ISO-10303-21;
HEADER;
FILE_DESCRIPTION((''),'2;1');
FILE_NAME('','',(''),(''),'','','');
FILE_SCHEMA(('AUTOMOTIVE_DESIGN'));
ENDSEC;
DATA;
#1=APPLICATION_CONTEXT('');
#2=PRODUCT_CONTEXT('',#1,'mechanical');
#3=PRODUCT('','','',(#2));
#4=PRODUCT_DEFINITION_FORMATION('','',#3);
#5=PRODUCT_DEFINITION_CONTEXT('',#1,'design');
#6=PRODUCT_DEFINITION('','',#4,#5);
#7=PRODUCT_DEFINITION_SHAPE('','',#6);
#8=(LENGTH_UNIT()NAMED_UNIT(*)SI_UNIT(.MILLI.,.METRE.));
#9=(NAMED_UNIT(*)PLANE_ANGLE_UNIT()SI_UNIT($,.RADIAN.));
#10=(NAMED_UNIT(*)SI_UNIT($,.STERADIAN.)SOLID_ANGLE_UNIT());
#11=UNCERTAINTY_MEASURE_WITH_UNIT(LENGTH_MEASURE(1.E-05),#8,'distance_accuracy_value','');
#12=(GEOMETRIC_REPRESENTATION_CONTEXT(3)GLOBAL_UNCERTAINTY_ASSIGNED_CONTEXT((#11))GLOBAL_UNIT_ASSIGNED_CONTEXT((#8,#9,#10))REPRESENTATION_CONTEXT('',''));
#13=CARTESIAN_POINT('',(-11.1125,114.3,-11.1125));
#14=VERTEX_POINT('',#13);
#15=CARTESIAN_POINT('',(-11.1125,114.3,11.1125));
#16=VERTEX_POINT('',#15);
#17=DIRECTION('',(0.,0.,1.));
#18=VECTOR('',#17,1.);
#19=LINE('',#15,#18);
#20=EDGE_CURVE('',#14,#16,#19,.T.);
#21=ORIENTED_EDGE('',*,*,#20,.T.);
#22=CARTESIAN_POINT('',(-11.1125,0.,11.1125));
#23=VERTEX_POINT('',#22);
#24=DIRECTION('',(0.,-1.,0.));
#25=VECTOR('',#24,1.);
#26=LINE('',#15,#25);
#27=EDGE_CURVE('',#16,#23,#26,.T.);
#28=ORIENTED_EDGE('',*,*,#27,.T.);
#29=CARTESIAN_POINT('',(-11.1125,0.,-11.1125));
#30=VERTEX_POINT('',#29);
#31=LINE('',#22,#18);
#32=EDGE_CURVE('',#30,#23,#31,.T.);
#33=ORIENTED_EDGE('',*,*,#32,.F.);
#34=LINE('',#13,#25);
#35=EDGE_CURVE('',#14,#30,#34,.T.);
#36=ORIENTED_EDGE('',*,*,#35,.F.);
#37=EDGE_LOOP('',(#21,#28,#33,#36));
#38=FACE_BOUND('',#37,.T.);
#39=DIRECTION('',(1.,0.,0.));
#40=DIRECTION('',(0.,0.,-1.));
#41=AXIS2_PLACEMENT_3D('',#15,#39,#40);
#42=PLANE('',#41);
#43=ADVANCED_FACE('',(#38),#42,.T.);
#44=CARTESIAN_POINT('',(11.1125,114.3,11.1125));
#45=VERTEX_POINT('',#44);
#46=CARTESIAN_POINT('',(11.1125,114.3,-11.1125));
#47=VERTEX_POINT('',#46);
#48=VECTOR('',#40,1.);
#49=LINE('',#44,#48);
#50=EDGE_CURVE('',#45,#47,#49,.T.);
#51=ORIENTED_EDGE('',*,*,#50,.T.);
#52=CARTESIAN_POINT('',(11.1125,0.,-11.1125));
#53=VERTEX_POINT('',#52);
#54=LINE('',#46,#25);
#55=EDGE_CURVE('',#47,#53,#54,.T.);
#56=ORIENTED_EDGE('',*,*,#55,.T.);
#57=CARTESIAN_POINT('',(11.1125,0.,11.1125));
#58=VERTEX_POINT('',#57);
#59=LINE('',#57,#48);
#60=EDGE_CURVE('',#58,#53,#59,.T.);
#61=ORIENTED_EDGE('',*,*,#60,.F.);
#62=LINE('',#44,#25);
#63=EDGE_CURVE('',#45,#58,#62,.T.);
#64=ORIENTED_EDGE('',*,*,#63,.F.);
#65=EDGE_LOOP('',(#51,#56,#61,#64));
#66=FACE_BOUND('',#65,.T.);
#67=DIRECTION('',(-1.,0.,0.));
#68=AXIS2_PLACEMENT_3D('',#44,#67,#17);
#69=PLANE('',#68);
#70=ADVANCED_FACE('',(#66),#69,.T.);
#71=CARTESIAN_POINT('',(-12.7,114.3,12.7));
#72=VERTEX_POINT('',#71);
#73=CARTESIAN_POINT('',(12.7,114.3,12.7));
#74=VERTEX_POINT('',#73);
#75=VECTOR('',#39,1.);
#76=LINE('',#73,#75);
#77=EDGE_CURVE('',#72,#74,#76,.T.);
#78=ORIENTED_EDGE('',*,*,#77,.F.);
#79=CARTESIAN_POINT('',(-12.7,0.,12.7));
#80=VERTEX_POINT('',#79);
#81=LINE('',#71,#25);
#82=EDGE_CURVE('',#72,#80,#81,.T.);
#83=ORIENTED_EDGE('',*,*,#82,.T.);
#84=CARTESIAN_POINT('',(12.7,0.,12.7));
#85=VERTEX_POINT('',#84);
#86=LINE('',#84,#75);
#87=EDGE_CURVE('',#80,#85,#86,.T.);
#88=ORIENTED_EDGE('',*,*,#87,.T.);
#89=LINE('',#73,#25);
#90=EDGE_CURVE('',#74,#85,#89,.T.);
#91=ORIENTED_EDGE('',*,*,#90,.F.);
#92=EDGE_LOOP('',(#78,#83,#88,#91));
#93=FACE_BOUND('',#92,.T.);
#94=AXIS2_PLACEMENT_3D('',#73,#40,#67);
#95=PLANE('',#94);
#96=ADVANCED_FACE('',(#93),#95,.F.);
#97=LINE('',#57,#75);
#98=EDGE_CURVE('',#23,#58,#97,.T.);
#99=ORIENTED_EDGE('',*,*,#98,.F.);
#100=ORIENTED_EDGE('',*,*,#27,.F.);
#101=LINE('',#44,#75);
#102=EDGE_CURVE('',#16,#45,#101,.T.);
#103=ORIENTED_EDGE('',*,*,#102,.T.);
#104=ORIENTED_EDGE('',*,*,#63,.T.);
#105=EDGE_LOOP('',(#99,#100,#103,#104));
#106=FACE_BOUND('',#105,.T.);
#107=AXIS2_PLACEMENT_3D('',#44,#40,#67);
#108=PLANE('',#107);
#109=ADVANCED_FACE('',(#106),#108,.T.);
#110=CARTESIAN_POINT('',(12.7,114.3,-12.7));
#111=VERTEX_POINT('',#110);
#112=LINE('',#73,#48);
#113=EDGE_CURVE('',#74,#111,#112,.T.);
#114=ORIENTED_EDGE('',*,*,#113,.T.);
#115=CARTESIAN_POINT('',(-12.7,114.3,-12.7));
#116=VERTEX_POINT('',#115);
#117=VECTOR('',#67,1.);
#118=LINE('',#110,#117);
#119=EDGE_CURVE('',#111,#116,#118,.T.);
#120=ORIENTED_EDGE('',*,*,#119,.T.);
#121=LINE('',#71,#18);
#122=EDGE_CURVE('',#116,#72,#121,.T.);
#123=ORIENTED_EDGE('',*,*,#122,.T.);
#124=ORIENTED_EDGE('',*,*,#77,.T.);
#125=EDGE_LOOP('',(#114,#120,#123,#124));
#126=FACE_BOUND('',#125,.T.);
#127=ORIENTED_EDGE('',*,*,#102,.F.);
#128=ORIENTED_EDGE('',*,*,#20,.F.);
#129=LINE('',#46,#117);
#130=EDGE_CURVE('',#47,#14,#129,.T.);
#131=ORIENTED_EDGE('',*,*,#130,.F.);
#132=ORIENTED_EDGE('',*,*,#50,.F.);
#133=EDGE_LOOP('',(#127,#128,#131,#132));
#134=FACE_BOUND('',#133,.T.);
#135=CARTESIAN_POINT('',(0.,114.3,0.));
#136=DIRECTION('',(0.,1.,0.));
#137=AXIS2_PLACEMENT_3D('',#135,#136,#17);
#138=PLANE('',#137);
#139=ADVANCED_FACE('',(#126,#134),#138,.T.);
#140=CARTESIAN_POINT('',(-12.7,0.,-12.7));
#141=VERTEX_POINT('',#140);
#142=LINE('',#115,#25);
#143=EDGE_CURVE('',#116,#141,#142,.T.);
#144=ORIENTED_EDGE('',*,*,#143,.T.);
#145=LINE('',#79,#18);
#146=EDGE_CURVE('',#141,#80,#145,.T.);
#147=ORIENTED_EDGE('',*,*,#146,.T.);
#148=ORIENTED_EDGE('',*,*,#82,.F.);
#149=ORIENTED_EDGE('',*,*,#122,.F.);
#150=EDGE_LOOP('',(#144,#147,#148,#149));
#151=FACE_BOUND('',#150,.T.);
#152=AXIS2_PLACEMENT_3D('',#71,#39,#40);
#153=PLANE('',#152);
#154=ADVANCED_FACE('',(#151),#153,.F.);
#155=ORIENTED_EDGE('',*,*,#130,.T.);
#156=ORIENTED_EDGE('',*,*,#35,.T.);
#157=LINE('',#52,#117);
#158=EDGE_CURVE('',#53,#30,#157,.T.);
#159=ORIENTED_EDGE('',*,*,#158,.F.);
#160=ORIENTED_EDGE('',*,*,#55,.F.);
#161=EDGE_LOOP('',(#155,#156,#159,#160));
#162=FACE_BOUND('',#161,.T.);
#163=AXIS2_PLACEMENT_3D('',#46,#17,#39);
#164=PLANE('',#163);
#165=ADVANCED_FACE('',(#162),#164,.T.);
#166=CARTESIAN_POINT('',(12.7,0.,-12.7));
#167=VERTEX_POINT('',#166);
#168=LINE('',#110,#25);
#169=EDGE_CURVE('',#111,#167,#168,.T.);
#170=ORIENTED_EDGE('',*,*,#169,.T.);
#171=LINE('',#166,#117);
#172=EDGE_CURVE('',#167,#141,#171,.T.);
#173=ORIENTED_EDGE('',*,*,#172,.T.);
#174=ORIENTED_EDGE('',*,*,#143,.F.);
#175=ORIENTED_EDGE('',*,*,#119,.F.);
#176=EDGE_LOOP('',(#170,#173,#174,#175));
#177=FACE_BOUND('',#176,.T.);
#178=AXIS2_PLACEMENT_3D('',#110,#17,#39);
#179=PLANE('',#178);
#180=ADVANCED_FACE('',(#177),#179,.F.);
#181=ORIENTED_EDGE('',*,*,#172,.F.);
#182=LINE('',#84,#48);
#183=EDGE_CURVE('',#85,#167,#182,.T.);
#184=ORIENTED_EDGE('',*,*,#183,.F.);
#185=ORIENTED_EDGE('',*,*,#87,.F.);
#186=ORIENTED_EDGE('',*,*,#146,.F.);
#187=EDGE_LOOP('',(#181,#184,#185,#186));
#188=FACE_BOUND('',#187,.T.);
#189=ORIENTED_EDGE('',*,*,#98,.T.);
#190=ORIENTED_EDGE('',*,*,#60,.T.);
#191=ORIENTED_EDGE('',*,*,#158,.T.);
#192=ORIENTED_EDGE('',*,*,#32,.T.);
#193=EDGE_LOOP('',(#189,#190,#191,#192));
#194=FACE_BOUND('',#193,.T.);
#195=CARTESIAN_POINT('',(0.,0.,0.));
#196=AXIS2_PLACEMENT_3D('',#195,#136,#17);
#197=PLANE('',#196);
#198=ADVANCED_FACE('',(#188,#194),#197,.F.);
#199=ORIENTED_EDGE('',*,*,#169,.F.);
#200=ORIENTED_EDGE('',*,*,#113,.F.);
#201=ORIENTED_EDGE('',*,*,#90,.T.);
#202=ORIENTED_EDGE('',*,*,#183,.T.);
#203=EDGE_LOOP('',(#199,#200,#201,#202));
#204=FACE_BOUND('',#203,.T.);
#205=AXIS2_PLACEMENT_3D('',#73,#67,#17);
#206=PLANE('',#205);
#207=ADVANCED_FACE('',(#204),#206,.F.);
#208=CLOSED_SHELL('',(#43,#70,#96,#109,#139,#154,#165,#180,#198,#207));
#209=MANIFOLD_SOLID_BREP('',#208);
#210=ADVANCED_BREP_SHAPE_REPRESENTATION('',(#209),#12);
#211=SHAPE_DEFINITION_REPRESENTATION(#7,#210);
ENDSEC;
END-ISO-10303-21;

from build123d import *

# Parameters (mm, degrees)
SKETCH1_W           = 25.4
SKETCH1_H           = 25.4
SKETCH1_W_2         = 22.225
SKETCH1_H_2         = 22.225
BOSS_EXTRUDE1_DEPTH = 114.3


with BuildPart() as part:
    # Sketch1 → Boss-Extrude1 (new body)
    with BuildSketch(Plane(origin=(0, 0, 0), x_dir=(1, 0, 0), z_dir=(0, 1, 0))):
        Rectangle(SKETCH1_W, SKETCH1_H)
        Rectangle(SKETCH1_W_2, SKETCH1_H_2, mode=Mode.SUBTRACT)
    extrude(amount=BOSS_EXTRUDE1_DEPTH)


solid = part.part
